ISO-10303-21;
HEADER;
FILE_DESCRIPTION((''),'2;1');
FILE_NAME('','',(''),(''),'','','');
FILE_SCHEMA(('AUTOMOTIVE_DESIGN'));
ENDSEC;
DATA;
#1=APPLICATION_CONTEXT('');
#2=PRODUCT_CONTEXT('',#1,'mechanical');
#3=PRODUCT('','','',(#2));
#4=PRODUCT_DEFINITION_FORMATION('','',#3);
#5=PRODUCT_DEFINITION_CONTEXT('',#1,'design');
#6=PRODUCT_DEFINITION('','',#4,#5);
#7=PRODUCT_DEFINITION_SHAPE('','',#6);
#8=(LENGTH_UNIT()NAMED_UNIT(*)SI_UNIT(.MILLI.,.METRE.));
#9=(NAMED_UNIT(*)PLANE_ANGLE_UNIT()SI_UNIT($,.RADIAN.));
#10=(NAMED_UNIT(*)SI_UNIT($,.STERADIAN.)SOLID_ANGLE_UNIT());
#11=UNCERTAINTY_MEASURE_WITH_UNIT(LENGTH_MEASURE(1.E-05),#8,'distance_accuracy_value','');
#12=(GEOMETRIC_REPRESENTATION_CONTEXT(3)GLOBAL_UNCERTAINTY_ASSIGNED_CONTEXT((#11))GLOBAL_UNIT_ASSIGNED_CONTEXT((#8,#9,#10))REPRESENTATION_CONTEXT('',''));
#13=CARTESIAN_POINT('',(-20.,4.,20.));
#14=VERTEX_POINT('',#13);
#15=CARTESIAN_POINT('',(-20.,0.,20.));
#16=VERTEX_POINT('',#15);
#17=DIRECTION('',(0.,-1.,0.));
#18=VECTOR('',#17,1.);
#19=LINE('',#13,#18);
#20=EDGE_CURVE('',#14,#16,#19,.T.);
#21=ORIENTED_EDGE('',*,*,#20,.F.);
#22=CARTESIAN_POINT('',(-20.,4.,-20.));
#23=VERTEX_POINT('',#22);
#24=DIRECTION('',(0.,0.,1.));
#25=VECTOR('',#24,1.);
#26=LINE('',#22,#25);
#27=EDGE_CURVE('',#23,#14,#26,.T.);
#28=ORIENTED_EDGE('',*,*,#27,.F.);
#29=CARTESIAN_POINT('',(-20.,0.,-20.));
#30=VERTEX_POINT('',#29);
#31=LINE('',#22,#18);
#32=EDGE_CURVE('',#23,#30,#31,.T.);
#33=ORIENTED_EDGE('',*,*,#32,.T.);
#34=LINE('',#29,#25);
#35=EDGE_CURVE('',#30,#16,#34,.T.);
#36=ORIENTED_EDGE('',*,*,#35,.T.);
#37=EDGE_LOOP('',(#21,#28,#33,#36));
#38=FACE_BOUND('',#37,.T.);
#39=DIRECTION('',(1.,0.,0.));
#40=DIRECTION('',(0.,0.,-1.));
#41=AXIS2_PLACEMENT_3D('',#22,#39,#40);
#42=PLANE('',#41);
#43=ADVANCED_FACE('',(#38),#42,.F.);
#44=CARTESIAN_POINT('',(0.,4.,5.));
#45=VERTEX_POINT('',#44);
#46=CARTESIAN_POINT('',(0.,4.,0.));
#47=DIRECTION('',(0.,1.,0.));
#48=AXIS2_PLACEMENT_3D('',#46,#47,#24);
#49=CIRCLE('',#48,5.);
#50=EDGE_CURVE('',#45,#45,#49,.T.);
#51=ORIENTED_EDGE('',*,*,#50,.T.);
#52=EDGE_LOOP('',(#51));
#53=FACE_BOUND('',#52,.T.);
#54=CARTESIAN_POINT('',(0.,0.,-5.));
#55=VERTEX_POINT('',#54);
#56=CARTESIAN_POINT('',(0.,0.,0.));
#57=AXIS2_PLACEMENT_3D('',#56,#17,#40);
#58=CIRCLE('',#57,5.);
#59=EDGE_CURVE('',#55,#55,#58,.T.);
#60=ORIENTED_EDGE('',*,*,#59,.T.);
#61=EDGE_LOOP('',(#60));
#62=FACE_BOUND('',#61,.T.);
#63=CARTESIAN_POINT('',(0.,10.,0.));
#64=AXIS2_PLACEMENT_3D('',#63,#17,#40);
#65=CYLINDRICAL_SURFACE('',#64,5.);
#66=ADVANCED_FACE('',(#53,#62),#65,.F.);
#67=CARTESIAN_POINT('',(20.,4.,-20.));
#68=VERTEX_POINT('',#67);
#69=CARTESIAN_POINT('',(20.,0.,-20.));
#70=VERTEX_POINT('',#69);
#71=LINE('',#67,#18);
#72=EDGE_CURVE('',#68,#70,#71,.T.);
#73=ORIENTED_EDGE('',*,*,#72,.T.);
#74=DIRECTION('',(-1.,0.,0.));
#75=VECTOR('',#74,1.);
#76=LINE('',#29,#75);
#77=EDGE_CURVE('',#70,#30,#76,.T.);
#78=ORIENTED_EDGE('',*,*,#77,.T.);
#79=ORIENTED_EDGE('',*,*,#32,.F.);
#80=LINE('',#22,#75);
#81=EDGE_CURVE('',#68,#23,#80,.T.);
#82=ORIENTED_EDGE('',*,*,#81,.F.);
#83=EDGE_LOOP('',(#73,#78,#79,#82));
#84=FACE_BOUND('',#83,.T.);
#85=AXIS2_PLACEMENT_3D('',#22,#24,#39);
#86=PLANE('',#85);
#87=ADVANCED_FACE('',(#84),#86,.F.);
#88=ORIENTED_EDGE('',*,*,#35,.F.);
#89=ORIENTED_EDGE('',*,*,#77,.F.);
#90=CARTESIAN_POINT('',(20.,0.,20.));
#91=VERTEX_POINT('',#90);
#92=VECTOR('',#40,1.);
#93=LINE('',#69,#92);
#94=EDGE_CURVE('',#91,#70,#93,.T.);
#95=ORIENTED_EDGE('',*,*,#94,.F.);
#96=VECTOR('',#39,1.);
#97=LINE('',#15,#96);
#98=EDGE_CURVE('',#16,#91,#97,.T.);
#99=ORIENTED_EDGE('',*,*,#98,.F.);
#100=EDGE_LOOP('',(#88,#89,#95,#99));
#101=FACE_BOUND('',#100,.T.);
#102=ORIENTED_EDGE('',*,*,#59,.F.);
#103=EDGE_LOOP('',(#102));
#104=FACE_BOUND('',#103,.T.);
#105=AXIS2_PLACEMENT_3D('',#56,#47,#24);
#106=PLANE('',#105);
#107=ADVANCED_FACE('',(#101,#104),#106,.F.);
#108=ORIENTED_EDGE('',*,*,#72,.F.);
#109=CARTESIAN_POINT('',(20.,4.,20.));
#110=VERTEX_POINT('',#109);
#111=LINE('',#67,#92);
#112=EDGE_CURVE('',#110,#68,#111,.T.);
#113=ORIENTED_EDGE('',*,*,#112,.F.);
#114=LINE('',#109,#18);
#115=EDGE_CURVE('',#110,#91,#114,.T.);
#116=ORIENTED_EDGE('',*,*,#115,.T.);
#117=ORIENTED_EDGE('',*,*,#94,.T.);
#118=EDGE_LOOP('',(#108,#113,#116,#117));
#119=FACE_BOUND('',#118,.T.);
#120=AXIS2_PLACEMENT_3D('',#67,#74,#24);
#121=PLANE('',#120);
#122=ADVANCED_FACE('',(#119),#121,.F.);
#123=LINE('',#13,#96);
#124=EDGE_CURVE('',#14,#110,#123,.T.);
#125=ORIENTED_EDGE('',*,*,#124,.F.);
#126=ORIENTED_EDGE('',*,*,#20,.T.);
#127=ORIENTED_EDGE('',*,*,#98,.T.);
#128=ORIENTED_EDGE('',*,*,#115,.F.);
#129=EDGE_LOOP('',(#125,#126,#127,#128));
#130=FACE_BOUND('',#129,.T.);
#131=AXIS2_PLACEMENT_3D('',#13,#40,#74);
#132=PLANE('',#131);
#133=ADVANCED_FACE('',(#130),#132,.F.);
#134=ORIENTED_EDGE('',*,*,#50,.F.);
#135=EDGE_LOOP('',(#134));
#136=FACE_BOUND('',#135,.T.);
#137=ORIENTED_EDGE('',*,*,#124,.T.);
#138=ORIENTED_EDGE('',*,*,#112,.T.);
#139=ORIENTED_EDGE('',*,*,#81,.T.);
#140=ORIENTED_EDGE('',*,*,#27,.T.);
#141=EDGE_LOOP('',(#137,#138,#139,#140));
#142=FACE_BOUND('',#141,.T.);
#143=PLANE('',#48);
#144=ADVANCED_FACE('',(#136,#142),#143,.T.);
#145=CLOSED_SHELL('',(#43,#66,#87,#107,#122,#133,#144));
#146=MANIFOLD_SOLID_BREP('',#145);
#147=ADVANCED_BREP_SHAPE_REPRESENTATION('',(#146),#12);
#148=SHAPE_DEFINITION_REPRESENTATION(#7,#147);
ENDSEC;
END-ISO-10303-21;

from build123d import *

# Parameters (mm, degrees)
SKETCH1_W           = 40
SKETCH1_H           = 40
BOSS_EXTRUDE1_DEPTH = 4
SKETCH2_R           = 5
CUT_EXTRUDE1_DEPTH  = 10


with BuildPart() as part:
    # Sketch1 → Boss-Extrude1 (new body)
    with BuildSketch(Plane(origin=(0, 0, 0), x_dir=(1, 0, 0), z_dir=(0, 1, 0))):
        Rectangle(SKETCH1_W, SKETCH1_H)
    extrude(amount=BOSS_EXTRUDE1_DEPTH)

    # Sketch2 → Cut-Extrude1 (cut)
    with BuildSketch(Plane.XZ):
        with Locations(Location((0, 0, 0), (0, 0, 270))):
            Circle(SKETCH2_R)
    extrude(amount=-CUT_EXTRUDE1_DEPTH, mode=Mode.SUBTRACT)


solid = part.part
